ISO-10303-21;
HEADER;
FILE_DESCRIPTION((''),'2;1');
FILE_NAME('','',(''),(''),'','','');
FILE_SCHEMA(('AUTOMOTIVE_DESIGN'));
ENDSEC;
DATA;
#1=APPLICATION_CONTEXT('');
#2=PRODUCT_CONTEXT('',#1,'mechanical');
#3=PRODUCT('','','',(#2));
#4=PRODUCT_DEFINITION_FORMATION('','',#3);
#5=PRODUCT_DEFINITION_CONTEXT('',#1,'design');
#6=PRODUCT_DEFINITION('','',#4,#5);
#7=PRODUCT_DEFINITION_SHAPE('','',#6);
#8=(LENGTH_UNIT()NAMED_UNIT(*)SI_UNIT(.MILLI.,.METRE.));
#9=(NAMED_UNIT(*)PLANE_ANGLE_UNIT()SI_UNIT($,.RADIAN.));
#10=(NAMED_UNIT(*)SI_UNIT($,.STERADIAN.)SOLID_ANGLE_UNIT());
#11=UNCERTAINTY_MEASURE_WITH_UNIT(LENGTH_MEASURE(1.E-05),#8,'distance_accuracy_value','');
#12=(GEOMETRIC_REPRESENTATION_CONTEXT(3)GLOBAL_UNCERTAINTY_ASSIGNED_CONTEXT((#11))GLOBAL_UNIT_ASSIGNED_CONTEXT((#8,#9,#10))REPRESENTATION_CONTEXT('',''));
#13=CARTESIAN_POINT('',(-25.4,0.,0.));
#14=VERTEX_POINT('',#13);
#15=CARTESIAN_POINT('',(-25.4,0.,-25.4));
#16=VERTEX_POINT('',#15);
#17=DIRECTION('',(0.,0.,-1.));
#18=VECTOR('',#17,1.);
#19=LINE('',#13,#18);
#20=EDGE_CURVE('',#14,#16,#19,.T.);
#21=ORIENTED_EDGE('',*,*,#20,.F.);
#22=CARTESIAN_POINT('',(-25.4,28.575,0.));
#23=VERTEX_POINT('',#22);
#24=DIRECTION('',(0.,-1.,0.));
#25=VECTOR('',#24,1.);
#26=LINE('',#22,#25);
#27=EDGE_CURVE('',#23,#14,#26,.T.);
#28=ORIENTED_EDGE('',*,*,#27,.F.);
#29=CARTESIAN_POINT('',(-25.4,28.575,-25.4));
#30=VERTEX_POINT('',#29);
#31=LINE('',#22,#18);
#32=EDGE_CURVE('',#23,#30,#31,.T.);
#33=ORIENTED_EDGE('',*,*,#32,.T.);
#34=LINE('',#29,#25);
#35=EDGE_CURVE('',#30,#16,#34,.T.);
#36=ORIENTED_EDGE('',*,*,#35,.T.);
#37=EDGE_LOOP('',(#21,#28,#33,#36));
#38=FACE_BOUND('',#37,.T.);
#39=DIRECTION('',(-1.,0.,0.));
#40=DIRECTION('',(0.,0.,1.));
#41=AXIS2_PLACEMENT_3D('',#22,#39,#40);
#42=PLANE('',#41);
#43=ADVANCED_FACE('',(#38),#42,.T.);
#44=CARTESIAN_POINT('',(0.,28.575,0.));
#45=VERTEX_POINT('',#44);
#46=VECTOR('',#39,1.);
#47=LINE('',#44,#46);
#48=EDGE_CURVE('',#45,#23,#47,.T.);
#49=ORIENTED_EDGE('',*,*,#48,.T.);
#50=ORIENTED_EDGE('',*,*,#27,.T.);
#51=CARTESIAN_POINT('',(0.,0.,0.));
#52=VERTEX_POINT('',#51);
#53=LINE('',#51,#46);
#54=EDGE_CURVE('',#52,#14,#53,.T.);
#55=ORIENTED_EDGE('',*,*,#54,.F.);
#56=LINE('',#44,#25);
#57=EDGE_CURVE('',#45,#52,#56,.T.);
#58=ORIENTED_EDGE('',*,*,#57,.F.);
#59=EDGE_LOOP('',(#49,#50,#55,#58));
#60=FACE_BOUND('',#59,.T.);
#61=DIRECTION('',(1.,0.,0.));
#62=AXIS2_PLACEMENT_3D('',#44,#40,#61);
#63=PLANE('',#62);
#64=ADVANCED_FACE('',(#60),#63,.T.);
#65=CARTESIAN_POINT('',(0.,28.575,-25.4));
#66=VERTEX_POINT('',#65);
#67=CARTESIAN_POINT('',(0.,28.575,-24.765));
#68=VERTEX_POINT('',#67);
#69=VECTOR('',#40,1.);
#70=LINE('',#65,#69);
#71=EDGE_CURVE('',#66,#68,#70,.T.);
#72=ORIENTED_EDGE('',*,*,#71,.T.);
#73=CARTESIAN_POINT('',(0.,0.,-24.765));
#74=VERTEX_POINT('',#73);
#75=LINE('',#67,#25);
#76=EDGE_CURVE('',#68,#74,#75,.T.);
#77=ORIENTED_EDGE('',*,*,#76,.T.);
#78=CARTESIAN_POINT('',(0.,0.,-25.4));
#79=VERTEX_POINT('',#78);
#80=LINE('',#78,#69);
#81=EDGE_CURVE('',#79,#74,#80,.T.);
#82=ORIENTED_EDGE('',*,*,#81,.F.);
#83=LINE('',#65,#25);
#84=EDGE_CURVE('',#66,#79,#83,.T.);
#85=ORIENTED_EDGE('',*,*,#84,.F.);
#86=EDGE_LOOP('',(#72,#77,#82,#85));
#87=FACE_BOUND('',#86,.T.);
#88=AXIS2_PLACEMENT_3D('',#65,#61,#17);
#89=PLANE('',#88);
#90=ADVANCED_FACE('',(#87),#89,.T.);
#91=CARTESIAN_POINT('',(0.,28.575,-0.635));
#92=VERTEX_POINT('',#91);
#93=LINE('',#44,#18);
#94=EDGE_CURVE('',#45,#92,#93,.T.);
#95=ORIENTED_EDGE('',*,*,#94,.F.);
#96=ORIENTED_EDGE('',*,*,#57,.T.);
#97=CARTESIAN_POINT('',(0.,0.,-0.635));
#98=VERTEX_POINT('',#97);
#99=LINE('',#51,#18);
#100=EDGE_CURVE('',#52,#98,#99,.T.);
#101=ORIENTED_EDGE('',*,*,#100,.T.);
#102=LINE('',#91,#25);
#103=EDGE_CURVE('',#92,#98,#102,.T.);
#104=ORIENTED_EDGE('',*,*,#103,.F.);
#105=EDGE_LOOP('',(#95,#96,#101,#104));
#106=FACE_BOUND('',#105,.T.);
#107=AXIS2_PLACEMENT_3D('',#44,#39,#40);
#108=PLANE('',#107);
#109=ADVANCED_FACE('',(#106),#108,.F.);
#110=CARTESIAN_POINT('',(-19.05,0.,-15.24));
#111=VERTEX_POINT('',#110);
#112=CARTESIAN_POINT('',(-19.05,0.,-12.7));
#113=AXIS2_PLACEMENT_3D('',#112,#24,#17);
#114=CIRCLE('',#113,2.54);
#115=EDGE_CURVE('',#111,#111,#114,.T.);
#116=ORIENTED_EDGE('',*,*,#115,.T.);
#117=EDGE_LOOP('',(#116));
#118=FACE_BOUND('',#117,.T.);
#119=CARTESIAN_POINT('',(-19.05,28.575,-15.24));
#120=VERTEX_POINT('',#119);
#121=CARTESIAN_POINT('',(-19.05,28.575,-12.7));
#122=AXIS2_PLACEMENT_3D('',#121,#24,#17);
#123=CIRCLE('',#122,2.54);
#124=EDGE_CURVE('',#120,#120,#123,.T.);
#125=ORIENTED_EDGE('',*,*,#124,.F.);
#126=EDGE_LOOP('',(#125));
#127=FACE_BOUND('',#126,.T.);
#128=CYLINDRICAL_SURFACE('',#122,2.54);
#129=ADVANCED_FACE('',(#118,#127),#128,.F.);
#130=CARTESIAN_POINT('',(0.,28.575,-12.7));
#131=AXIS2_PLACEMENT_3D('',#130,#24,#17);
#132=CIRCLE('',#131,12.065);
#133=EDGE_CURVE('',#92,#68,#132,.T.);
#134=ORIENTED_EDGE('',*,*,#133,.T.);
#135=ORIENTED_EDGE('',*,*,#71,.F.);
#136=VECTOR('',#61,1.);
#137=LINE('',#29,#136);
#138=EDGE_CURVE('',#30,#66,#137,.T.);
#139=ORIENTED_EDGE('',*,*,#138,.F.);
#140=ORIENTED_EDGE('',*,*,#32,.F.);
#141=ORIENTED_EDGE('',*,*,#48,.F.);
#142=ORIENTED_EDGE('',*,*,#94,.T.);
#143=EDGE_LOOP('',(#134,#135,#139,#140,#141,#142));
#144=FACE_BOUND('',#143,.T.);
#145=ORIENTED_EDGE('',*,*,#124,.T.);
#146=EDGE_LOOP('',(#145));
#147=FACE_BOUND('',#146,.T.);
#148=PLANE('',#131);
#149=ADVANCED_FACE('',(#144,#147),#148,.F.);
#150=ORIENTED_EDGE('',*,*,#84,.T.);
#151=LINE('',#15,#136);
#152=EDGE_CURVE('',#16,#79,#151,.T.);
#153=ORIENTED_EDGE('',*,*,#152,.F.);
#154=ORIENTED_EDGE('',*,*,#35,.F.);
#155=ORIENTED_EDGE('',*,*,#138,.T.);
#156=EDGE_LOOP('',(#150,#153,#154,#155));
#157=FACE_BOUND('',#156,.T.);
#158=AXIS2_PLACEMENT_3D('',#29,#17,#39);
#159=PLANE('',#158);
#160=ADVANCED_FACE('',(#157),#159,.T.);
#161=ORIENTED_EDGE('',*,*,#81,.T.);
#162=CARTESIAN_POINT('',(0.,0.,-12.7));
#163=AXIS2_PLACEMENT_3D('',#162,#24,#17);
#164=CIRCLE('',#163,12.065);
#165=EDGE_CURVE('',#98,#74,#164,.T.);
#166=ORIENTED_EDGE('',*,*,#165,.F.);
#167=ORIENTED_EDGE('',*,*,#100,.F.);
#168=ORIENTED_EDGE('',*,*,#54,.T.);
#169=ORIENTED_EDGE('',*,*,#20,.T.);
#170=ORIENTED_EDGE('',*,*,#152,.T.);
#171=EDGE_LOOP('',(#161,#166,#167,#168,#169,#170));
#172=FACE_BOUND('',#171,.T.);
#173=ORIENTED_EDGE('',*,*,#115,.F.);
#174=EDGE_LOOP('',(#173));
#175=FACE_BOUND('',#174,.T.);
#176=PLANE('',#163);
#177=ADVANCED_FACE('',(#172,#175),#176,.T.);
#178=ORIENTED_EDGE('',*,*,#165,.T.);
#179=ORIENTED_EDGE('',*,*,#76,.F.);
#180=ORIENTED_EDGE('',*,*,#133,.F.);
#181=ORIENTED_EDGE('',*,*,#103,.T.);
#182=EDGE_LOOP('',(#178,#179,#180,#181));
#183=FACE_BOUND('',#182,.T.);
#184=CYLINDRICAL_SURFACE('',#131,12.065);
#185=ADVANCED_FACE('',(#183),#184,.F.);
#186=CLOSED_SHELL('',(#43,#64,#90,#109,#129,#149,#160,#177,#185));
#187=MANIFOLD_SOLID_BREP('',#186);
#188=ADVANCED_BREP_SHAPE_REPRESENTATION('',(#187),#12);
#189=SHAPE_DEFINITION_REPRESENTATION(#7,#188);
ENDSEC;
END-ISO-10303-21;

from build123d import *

# Parameters (mm, degrees)
BOSS_EXTRUDE1_DEPTH = 28.575
SKETCH6_R           = 2.54
CUT_EXTRUDE4_DEPTH  = 28.575


with BuildPart() as part:
    # Sketch3 → Boss-Extrude1 (new body)
    with BuildSketch(Plane(origin=(0, 0, 0), x_dir=(1, 0, 0), z_dir=(0, 1, 0))):
        with BuildLine():
            Line((0, 0), (0, 0.635))
            ThreePointArc((0, 0.635), (-12.065, 12.7), (0, 24.765))
            Line((0, 24.765), (0, 25.4))
            Line((0, 25.4), (-25.4, 25.4))
            Line((-25.4, 25.4), (-25.4, 0))
            Line((-25.4, 0), (0, 0))
        make_face()
    extrude(amount=BOSS_EXTRUDE1_DEPTH)

    # Sketch6 → Cut-Extrude4 (cut)
    with BuildSketch(Plane(origin=(0, 0, 0), x_dir=(-1, 0, 0), z_dir=(0, -1, 0))):
        with Locations(Location((19.05, 12.7, 0), (0, 0, 90))):
            Circle(SKETCH6_R)
    extrude(amount=-CUT_EXTRUDE4_DEPTH, mode=Mode.SUBTRACT)


solid = part.part
